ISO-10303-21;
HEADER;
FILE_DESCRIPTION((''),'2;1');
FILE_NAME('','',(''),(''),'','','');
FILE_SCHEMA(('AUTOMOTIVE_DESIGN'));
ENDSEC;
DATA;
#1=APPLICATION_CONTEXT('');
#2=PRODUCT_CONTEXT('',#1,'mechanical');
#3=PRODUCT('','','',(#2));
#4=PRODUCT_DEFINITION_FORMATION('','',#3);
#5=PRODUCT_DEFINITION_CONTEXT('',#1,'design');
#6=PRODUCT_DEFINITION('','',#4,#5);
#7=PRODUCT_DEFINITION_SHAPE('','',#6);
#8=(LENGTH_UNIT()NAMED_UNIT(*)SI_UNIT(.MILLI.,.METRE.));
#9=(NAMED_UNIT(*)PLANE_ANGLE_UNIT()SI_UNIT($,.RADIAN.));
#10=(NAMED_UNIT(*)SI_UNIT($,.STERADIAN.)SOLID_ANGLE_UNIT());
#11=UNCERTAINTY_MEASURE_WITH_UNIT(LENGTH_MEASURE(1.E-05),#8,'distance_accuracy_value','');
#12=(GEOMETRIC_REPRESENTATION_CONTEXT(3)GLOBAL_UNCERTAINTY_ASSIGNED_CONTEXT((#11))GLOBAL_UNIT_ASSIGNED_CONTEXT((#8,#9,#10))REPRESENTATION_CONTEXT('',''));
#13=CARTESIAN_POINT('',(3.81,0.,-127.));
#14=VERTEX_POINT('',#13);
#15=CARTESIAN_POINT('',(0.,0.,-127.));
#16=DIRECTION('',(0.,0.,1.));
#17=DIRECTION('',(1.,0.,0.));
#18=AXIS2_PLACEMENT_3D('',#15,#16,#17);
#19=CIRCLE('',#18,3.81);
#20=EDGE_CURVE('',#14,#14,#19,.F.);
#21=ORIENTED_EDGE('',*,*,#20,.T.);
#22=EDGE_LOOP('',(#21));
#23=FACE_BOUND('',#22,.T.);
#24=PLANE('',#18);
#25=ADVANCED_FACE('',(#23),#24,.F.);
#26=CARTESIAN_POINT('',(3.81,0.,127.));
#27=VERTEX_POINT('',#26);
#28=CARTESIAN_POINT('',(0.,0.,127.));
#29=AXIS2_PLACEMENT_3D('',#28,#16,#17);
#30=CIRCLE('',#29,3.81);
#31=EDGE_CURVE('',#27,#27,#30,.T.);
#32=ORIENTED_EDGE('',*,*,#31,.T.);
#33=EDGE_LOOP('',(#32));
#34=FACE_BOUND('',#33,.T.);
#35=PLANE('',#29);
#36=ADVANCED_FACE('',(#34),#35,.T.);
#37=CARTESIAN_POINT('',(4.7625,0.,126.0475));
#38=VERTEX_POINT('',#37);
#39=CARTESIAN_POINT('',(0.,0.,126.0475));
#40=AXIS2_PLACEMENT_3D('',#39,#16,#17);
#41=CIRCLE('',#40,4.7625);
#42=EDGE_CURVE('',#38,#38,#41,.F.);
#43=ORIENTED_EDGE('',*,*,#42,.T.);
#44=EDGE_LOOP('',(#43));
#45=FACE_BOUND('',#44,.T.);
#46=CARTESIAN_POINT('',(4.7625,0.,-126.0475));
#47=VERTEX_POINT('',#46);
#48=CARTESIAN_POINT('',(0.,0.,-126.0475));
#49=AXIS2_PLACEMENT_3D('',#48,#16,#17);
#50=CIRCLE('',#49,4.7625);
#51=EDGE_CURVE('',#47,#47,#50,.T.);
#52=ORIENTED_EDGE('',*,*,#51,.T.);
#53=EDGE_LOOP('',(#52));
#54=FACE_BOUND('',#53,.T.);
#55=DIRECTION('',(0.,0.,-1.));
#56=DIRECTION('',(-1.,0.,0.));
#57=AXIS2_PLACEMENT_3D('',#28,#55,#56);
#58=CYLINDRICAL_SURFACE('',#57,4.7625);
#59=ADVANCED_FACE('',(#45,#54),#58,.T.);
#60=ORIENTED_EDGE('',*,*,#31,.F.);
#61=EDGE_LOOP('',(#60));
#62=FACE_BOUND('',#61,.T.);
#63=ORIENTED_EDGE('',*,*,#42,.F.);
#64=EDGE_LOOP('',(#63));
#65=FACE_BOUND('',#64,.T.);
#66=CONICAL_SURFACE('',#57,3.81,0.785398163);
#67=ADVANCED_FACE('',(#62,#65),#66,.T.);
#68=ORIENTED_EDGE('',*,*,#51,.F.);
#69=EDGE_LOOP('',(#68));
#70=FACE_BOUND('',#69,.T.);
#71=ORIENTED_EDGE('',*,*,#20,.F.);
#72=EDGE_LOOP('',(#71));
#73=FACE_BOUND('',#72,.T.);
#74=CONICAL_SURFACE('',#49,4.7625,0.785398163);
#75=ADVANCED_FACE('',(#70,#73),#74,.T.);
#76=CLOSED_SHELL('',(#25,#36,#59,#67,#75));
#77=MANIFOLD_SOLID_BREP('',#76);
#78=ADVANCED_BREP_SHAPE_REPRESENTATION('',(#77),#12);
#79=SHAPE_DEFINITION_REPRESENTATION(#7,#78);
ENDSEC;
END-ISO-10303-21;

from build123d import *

# Parameters (mm, degrees)
SKETCH1_R      = 4.7625
EXTRUDE1_DEPTH = 127
CHAMFER1_SIZE  = 0.9525


with BuildPart() as part:
    # Sketch1 → Extrude1 (new body, symmetric)
    with BuildSketch(Plane.XY):
        Circle(SKETCH1_R)
    extrude(amount=EXTRUDE1_DEPTH, both=True)

    # Chamfer1
    chamfer1_edges = [part.edges().sort_by_distance(p)[0] for p in [
        (-4.7625, 0, -127),
        (-4.7625, 0, 127),
    ]]
    chamfer(chamfer1_edges, length=CHAMFER1_SIZE)


solid = part.part
